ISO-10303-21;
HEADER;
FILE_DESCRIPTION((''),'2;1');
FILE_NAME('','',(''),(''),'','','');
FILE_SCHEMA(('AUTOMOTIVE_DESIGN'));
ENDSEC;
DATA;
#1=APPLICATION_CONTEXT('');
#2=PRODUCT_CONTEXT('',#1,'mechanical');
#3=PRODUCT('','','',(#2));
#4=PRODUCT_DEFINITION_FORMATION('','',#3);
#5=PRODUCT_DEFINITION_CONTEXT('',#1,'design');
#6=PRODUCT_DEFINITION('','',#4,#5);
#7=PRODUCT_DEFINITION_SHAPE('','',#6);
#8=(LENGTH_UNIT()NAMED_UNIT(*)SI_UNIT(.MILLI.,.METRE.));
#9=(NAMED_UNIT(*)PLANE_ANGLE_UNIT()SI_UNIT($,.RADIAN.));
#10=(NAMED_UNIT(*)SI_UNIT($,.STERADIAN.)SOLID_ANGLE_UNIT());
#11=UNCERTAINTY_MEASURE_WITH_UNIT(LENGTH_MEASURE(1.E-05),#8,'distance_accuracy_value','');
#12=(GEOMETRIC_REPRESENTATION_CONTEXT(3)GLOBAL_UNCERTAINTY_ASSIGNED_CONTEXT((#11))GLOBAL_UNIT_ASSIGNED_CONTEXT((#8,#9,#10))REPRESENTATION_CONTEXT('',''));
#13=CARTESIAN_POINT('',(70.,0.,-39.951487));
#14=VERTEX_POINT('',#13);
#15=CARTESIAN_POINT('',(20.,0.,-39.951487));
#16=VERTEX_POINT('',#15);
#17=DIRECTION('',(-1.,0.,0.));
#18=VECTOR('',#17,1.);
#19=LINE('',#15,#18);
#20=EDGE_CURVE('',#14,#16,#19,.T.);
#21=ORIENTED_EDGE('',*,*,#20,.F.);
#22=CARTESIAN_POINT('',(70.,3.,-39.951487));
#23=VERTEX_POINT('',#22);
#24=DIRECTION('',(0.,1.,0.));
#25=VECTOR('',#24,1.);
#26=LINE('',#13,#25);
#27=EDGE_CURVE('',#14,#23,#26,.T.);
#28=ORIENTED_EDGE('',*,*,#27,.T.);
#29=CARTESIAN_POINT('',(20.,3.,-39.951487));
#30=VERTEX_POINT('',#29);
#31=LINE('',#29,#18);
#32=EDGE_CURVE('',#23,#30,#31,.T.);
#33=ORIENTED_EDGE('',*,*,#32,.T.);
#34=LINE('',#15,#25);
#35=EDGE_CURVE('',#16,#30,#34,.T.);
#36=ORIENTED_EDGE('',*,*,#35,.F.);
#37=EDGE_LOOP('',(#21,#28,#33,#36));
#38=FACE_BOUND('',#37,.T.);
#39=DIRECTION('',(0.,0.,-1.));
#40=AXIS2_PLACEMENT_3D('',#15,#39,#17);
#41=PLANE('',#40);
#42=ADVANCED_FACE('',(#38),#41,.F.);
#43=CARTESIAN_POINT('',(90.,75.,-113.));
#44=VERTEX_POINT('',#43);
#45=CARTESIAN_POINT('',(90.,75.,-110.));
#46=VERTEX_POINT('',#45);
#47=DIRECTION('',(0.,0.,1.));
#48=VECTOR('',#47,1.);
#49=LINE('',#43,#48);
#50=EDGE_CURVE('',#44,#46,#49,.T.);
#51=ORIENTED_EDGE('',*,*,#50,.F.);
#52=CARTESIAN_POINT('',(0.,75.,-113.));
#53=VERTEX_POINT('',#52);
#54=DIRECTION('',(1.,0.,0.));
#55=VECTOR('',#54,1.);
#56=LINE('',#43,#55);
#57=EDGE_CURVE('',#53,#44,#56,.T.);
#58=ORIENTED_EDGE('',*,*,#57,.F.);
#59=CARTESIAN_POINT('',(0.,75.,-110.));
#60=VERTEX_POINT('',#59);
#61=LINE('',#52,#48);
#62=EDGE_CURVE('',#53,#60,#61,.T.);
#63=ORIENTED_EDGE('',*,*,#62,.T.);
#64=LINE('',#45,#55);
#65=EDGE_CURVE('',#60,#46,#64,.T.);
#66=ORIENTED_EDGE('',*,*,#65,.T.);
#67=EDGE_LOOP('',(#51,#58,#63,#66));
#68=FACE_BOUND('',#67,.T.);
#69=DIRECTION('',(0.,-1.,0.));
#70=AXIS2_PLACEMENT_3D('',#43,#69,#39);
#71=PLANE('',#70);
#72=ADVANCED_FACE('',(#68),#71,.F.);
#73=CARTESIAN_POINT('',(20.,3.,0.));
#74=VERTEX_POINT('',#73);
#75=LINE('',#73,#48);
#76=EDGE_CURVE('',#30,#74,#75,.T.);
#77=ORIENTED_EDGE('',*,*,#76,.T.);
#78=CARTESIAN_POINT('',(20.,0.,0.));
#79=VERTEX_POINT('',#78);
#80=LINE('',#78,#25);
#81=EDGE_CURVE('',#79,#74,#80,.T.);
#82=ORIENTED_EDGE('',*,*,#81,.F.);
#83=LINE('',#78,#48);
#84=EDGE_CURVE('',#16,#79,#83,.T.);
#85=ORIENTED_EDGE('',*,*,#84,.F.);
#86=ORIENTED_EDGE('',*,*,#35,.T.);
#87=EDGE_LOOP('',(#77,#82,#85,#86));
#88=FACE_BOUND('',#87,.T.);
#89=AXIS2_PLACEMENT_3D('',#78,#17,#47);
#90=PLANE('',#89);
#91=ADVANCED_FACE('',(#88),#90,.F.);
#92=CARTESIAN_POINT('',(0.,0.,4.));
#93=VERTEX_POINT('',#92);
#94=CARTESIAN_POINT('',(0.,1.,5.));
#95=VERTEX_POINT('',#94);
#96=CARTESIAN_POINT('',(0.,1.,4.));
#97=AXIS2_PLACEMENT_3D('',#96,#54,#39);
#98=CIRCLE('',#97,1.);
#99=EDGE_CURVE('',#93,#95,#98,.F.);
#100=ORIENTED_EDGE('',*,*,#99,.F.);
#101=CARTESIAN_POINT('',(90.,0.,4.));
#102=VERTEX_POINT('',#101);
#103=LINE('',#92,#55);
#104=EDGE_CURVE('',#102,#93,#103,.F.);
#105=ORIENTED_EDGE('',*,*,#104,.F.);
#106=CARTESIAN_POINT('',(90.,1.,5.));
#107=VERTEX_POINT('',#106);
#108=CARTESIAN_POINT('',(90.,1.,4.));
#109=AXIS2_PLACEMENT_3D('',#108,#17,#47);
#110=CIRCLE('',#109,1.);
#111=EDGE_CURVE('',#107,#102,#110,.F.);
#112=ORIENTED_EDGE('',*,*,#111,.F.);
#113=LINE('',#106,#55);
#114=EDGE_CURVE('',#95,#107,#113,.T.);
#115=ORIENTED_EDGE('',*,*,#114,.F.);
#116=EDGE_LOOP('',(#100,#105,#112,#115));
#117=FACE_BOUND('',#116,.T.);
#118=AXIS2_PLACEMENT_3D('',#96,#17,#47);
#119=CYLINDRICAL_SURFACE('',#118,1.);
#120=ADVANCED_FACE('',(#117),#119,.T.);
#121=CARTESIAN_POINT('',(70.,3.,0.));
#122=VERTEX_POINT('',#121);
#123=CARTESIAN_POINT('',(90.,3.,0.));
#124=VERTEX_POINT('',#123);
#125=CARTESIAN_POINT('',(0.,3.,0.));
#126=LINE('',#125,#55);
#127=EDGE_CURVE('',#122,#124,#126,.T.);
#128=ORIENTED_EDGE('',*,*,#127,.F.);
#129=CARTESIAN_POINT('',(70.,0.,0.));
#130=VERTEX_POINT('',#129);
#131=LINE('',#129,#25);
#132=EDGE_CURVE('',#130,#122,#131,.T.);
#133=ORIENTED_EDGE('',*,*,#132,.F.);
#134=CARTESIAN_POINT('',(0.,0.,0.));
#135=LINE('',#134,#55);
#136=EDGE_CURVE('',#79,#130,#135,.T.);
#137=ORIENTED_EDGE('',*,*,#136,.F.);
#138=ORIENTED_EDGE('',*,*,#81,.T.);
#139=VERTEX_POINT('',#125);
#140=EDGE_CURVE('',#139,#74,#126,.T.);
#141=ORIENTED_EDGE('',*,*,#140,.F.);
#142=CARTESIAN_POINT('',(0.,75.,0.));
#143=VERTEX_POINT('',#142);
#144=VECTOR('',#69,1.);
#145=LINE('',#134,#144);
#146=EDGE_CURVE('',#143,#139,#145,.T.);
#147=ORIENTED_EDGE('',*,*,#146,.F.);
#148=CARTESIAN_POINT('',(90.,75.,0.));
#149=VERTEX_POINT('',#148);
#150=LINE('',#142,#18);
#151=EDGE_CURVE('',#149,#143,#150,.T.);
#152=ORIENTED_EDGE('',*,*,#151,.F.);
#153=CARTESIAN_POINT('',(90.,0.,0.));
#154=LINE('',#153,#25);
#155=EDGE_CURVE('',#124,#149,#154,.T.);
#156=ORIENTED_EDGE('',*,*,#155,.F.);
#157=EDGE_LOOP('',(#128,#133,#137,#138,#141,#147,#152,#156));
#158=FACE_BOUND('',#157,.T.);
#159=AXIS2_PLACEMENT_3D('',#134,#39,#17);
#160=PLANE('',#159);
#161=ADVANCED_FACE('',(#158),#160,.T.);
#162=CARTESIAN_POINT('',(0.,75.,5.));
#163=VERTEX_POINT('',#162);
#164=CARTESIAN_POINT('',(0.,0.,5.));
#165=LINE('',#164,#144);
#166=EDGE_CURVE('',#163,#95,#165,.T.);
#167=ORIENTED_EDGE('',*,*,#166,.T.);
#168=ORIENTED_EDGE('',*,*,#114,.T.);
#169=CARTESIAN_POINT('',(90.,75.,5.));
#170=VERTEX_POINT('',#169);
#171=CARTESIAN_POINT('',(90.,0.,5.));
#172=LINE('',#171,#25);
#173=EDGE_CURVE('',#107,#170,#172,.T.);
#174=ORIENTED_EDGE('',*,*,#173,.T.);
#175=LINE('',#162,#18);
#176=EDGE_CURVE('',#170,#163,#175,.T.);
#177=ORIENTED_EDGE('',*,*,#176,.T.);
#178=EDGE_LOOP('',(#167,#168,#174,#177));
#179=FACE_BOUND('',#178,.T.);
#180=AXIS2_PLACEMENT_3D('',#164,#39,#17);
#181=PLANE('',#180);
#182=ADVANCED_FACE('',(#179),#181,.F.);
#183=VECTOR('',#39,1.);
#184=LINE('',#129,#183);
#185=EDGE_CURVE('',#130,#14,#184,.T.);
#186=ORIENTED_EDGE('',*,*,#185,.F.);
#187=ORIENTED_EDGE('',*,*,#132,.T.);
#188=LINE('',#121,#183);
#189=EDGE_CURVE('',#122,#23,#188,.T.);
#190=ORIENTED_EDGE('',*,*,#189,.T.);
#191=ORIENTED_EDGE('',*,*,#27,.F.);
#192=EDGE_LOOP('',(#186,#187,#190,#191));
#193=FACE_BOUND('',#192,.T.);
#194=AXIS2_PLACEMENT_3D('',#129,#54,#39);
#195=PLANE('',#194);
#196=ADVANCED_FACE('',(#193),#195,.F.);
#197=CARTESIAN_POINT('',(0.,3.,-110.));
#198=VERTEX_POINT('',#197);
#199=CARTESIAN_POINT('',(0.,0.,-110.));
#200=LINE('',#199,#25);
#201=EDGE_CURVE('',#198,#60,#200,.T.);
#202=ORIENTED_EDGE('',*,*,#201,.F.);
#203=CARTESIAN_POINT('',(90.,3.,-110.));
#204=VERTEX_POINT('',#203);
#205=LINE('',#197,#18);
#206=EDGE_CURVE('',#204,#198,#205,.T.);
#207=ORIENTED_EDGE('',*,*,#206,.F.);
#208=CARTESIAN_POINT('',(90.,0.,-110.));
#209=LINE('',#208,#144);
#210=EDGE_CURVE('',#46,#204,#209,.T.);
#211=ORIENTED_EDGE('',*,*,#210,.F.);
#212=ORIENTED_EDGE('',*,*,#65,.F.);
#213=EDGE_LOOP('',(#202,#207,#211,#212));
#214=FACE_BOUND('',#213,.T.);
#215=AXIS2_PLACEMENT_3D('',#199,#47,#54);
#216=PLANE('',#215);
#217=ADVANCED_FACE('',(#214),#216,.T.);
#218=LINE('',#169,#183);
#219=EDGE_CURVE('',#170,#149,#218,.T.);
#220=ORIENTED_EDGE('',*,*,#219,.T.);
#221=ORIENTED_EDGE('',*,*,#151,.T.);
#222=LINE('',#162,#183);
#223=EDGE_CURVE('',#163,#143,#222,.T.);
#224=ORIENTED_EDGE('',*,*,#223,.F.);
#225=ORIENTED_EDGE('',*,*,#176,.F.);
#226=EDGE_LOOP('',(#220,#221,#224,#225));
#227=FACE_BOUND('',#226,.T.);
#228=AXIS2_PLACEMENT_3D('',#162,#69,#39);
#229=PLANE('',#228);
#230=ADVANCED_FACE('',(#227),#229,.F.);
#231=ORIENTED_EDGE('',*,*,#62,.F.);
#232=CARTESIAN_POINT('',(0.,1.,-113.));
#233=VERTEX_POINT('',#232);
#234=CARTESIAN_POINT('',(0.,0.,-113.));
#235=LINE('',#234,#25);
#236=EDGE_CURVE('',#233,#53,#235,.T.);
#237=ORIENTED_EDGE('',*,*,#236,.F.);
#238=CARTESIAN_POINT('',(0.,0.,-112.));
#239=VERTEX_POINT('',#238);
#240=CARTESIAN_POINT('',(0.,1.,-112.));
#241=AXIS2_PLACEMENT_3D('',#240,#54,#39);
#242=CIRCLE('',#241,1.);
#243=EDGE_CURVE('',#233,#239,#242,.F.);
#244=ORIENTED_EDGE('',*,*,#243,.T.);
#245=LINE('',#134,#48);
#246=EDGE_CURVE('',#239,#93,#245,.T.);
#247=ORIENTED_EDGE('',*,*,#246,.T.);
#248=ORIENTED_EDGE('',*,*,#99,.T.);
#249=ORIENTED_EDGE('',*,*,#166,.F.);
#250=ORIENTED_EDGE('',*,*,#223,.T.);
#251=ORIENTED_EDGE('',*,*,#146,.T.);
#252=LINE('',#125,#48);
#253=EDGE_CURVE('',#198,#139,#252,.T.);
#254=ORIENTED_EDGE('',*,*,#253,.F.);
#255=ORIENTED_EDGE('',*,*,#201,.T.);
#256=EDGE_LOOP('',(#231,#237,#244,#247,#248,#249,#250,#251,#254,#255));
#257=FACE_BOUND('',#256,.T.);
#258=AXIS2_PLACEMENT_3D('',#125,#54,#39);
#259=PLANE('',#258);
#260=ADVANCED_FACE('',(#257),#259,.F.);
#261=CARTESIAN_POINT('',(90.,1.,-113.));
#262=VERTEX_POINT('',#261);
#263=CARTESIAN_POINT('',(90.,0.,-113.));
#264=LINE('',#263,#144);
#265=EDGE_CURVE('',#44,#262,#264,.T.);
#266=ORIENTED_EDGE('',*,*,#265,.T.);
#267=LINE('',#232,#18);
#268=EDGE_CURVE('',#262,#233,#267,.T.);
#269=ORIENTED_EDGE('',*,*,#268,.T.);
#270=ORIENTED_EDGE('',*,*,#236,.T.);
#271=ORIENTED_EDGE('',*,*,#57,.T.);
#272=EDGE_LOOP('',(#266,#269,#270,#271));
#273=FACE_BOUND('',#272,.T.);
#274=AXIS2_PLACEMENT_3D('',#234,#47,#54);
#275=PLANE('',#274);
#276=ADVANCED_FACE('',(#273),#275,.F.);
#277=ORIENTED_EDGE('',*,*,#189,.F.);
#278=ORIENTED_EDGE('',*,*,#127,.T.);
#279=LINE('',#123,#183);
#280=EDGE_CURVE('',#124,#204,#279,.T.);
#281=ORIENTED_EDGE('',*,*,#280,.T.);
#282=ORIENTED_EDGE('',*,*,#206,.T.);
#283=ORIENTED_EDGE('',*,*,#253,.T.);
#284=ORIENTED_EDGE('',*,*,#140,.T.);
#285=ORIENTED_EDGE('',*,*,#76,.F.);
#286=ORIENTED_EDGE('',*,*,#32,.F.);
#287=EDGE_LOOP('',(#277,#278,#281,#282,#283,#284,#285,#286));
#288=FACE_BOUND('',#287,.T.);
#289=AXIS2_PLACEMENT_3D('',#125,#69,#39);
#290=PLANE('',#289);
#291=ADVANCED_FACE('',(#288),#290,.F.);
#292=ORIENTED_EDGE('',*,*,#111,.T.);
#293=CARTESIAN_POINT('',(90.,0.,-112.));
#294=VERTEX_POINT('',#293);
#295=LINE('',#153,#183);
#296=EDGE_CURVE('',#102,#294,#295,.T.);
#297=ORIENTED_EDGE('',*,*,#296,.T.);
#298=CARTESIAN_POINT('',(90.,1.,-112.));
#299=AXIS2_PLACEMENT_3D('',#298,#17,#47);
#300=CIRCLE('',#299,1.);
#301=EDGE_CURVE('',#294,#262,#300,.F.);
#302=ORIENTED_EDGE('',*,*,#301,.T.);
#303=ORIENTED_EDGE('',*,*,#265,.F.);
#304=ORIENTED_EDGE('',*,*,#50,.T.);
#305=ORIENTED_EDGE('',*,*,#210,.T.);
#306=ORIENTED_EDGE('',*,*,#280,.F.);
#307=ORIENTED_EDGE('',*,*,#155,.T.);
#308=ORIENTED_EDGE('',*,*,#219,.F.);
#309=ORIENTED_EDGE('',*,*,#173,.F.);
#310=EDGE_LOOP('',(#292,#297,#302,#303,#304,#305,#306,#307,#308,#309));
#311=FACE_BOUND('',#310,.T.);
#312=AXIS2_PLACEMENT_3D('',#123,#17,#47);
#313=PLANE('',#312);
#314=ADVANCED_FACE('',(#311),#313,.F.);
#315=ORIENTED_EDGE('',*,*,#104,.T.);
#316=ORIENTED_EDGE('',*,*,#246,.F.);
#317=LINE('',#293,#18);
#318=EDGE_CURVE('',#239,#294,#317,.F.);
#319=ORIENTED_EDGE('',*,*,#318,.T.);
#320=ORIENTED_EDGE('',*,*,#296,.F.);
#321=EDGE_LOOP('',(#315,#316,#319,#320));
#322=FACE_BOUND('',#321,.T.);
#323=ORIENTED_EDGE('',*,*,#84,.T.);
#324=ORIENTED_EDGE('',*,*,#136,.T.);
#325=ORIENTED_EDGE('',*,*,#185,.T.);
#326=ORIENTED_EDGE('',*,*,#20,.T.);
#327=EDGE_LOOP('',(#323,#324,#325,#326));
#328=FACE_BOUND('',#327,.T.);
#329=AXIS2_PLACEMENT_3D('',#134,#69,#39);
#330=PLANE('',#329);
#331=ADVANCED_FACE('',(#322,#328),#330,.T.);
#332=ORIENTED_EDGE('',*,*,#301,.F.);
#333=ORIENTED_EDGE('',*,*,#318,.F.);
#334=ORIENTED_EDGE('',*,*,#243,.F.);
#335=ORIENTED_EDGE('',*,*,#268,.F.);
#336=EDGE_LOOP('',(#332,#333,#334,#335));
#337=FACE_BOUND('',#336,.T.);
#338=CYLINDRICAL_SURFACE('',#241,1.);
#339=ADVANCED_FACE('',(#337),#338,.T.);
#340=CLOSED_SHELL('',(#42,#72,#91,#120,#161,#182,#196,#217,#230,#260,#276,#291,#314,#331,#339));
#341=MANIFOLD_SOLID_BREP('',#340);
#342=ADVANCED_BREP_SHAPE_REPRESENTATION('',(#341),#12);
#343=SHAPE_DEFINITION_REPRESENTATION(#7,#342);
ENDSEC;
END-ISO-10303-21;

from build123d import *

# Parameters (mm, degrees)
ESBO_O1_W                = 90
ESBO_O1_H                = 110
RESSALTO_EXTRUS_O1_DEPTH = 3
ESBO_O2_W                = 50
ESBO_O2_H                = 39.951487405
CORTE_EXTRUS_O2_DEPTH    = 143.158362399
ESBO_O4_W                = 90
ESBO_O4_H                = 75
RESSALTO_EXTRUS_O2_DEPTH = 5
ESBO_O5_W                = 90
ESBO_O5_H                = 75
RESSALTO_EXTRUS_O3_DEPTH = 3
FILETE5_R                = 1


with BuildPart() as part:
    # Esboço1 → Ressalto-extrusão1 (new body)
    with BuildSketch(Plane(origin=(0, 0, 0), x_dir=(1, 0, 0), z_dir=(0, 1, 0))):
        with Locations((45, 55)):
            Rectangle(ESBO_O1_W, ESBO_O1_H)
    extrude(amount=RESSALTO_EXTRUS_O1_DEPTH)

    # Esboço2 → Corte-extrusão2 (cut, through all)
    with BuildSketch(Plane(origin=(0, 3, 0), x_dir=(1, 0, 0), z_dir=(0, 1, 0))):
        with Locations((45, 19.975743703)):
            Rectangle(ESBO_O2_W, ESBO_O2_H)
    extrude(amount=-CORTE_EXTRUS_O2_DEPTH, mode=Mode.SUBTRACT)

    # Esboço4 → Ressalto-extrusão2 (add)
    with BuildSketch(Plane.XY):
        with Locations((45, 37.5)):
            Rectangle(ESBO_O4_W, ESBO_O4_H)
    extrude(amount=RESSALTO_EXTRUS_O2_DEPTH)

    # Esboço5 → Ressalto-extrusão3 (add)
    with BuildSketch(Plane(origin=(0, 0, -110), x_dir=(-1, 0, 0), z_dir=(0, 0, -1))):
        with Locations((-45, 37.5)):
            Rectangle(ESBO_O5_W, ESBO_O5_H)
    extrude(amount=RESSALTO_EXTRUS_O3_DEPTH)

    # Filete5
    filete5_edges = [part.edges().sort_by_distance(p)[0] for p in [
        (45, 0, 5),
        (45, 0, -113),
    ]]
    fillet(filete5_edges, radius=FILETE5_R)


solid = part.part
